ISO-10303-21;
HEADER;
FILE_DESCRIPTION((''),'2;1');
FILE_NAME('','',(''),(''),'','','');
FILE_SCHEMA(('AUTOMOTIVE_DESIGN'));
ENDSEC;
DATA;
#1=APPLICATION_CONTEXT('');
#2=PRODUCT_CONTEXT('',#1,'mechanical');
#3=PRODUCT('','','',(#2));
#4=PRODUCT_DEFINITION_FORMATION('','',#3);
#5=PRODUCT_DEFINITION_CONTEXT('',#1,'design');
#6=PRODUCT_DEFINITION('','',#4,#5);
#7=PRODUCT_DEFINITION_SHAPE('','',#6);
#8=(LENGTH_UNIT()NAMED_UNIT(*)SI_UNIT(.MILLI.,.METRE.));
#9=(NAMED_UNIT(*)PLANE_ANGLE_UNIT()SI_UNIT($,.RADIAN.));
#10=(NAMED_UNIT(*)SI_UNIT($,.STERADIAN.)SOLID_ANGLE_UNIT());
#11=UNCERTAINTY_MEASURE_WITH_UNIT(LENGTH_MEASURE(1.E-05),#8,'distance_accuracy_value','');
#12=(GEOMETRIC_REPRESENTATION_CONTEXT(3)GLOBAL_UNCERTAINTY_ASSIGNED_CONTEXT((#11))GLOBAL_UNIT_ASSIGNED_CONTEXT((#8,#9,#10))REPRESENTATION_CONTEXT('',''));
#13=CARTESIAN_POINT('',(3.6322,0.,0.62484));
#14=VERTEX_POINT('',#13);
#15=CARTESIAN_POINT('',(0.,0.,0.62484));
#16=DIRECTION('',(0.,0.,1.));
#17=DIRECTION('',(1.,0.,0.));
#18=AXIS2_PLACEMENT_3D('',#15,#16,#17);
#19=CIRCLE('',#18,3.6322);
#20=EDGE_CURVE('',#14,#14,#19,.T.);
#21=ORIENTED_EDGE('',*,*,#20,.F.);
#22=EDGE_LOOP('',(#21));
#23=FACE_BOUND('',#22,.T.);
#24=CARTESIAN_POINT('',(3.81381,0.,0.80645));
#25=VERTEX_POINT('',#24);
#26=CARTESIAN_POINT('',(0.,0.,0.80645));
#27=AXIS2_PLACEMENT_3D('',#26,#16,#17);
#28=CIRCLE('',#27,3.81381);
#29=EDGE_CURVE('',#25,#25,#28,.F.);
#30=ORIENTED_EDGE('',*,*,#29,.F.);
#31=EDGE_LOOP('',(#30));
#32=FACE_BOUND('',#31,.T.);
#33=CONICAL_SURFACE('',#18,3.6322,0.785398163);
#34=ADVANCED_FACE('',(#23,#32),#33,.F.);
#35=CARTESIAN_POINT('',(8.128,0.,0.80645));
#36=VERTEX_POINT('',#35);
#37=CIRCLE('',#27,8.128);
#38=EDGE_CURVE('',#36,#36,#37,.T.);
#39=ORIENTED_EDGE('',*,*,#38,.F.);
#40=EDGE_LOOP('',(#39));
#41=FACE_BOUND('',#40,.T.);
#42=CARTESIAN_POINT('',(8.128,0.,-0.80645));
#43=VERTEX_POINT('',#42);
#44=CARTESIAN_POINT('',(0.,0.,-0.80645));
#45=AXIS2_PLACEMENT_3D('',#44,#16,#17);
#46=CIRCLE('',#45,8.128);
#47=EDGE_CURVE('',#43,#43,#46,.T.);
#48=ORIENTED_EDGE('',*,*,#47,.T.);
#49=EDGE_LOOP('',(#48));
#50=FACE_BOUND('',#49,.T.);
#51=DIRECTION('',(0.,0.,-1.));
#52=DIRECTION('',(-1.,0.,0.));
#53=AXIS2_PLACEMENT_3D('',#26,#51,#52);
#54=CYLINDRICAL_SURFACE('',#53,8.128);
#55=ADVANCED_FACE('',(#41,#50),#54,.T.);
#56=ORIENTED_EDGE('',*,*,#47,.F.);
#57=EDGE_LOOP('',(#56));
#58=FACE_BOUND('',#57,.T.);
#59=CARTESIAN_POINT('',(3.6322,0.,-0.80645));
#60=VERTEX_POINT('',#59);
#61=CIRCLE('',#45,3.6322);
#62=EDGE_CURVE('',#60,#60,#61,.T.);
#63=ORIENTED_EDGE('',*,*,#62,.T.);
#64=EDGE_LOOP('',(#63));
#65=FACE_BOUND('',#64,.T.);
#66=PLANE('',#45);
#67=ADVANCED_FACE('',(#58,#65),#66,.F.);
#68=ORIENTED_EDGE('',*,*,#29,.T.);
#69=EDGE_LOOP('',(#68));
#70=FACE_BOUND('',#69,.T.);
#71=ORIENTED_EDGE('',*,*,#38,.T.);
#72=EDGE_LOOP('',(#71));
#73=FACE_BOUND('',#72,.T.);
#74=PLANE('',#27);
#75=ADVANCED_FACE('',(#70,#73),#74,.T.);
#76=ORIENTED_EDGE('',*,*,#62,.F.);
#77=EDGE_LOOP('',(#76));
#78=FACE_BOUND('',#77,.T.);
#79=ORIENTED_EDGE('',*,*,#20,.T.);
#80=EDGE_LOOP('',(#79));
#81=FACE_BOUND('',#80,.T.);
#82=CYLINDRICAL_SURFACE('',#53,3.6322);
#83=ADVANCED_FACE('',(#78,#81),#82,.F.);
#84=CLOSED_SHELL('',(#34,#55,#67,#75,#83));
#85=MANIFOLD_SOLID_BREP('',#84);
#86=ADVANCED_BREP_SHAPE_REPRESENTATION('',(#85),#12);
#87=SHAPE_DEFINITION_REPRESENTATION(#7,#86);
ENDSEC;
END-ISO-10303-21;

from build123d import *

# Parameters (mm, degrees)
SKETCH3_R           = 8.128
SKETCH3_R_2         = 3.6322
BOSS_EXTRUDE1_DEPTH = 0.80645
CHAMFER1_SIZE       = 0.18161


with BuildPart() as part:
    # Sketch3 → Boss-Extrude1 (new, symmetric)
    with BuildSketch(Plane.XY):
        Circle(SKETCH3_R)
        Circle(SKETCH3_R_2, mode=Mode.SUBTRACT)
    extrude(amount=BOSS_EXTRUDE1_DEPTH, both=True)

    # Chamfer1
    chamfer1_edges = [part.edges().sort_by_distance(p)[0] for p in [
        (-3.6322, 0, 0.80645),
    ]]
    chamfer(chamfer1_edges, length=CHAMFER1_SIZE)


solid = part.part
